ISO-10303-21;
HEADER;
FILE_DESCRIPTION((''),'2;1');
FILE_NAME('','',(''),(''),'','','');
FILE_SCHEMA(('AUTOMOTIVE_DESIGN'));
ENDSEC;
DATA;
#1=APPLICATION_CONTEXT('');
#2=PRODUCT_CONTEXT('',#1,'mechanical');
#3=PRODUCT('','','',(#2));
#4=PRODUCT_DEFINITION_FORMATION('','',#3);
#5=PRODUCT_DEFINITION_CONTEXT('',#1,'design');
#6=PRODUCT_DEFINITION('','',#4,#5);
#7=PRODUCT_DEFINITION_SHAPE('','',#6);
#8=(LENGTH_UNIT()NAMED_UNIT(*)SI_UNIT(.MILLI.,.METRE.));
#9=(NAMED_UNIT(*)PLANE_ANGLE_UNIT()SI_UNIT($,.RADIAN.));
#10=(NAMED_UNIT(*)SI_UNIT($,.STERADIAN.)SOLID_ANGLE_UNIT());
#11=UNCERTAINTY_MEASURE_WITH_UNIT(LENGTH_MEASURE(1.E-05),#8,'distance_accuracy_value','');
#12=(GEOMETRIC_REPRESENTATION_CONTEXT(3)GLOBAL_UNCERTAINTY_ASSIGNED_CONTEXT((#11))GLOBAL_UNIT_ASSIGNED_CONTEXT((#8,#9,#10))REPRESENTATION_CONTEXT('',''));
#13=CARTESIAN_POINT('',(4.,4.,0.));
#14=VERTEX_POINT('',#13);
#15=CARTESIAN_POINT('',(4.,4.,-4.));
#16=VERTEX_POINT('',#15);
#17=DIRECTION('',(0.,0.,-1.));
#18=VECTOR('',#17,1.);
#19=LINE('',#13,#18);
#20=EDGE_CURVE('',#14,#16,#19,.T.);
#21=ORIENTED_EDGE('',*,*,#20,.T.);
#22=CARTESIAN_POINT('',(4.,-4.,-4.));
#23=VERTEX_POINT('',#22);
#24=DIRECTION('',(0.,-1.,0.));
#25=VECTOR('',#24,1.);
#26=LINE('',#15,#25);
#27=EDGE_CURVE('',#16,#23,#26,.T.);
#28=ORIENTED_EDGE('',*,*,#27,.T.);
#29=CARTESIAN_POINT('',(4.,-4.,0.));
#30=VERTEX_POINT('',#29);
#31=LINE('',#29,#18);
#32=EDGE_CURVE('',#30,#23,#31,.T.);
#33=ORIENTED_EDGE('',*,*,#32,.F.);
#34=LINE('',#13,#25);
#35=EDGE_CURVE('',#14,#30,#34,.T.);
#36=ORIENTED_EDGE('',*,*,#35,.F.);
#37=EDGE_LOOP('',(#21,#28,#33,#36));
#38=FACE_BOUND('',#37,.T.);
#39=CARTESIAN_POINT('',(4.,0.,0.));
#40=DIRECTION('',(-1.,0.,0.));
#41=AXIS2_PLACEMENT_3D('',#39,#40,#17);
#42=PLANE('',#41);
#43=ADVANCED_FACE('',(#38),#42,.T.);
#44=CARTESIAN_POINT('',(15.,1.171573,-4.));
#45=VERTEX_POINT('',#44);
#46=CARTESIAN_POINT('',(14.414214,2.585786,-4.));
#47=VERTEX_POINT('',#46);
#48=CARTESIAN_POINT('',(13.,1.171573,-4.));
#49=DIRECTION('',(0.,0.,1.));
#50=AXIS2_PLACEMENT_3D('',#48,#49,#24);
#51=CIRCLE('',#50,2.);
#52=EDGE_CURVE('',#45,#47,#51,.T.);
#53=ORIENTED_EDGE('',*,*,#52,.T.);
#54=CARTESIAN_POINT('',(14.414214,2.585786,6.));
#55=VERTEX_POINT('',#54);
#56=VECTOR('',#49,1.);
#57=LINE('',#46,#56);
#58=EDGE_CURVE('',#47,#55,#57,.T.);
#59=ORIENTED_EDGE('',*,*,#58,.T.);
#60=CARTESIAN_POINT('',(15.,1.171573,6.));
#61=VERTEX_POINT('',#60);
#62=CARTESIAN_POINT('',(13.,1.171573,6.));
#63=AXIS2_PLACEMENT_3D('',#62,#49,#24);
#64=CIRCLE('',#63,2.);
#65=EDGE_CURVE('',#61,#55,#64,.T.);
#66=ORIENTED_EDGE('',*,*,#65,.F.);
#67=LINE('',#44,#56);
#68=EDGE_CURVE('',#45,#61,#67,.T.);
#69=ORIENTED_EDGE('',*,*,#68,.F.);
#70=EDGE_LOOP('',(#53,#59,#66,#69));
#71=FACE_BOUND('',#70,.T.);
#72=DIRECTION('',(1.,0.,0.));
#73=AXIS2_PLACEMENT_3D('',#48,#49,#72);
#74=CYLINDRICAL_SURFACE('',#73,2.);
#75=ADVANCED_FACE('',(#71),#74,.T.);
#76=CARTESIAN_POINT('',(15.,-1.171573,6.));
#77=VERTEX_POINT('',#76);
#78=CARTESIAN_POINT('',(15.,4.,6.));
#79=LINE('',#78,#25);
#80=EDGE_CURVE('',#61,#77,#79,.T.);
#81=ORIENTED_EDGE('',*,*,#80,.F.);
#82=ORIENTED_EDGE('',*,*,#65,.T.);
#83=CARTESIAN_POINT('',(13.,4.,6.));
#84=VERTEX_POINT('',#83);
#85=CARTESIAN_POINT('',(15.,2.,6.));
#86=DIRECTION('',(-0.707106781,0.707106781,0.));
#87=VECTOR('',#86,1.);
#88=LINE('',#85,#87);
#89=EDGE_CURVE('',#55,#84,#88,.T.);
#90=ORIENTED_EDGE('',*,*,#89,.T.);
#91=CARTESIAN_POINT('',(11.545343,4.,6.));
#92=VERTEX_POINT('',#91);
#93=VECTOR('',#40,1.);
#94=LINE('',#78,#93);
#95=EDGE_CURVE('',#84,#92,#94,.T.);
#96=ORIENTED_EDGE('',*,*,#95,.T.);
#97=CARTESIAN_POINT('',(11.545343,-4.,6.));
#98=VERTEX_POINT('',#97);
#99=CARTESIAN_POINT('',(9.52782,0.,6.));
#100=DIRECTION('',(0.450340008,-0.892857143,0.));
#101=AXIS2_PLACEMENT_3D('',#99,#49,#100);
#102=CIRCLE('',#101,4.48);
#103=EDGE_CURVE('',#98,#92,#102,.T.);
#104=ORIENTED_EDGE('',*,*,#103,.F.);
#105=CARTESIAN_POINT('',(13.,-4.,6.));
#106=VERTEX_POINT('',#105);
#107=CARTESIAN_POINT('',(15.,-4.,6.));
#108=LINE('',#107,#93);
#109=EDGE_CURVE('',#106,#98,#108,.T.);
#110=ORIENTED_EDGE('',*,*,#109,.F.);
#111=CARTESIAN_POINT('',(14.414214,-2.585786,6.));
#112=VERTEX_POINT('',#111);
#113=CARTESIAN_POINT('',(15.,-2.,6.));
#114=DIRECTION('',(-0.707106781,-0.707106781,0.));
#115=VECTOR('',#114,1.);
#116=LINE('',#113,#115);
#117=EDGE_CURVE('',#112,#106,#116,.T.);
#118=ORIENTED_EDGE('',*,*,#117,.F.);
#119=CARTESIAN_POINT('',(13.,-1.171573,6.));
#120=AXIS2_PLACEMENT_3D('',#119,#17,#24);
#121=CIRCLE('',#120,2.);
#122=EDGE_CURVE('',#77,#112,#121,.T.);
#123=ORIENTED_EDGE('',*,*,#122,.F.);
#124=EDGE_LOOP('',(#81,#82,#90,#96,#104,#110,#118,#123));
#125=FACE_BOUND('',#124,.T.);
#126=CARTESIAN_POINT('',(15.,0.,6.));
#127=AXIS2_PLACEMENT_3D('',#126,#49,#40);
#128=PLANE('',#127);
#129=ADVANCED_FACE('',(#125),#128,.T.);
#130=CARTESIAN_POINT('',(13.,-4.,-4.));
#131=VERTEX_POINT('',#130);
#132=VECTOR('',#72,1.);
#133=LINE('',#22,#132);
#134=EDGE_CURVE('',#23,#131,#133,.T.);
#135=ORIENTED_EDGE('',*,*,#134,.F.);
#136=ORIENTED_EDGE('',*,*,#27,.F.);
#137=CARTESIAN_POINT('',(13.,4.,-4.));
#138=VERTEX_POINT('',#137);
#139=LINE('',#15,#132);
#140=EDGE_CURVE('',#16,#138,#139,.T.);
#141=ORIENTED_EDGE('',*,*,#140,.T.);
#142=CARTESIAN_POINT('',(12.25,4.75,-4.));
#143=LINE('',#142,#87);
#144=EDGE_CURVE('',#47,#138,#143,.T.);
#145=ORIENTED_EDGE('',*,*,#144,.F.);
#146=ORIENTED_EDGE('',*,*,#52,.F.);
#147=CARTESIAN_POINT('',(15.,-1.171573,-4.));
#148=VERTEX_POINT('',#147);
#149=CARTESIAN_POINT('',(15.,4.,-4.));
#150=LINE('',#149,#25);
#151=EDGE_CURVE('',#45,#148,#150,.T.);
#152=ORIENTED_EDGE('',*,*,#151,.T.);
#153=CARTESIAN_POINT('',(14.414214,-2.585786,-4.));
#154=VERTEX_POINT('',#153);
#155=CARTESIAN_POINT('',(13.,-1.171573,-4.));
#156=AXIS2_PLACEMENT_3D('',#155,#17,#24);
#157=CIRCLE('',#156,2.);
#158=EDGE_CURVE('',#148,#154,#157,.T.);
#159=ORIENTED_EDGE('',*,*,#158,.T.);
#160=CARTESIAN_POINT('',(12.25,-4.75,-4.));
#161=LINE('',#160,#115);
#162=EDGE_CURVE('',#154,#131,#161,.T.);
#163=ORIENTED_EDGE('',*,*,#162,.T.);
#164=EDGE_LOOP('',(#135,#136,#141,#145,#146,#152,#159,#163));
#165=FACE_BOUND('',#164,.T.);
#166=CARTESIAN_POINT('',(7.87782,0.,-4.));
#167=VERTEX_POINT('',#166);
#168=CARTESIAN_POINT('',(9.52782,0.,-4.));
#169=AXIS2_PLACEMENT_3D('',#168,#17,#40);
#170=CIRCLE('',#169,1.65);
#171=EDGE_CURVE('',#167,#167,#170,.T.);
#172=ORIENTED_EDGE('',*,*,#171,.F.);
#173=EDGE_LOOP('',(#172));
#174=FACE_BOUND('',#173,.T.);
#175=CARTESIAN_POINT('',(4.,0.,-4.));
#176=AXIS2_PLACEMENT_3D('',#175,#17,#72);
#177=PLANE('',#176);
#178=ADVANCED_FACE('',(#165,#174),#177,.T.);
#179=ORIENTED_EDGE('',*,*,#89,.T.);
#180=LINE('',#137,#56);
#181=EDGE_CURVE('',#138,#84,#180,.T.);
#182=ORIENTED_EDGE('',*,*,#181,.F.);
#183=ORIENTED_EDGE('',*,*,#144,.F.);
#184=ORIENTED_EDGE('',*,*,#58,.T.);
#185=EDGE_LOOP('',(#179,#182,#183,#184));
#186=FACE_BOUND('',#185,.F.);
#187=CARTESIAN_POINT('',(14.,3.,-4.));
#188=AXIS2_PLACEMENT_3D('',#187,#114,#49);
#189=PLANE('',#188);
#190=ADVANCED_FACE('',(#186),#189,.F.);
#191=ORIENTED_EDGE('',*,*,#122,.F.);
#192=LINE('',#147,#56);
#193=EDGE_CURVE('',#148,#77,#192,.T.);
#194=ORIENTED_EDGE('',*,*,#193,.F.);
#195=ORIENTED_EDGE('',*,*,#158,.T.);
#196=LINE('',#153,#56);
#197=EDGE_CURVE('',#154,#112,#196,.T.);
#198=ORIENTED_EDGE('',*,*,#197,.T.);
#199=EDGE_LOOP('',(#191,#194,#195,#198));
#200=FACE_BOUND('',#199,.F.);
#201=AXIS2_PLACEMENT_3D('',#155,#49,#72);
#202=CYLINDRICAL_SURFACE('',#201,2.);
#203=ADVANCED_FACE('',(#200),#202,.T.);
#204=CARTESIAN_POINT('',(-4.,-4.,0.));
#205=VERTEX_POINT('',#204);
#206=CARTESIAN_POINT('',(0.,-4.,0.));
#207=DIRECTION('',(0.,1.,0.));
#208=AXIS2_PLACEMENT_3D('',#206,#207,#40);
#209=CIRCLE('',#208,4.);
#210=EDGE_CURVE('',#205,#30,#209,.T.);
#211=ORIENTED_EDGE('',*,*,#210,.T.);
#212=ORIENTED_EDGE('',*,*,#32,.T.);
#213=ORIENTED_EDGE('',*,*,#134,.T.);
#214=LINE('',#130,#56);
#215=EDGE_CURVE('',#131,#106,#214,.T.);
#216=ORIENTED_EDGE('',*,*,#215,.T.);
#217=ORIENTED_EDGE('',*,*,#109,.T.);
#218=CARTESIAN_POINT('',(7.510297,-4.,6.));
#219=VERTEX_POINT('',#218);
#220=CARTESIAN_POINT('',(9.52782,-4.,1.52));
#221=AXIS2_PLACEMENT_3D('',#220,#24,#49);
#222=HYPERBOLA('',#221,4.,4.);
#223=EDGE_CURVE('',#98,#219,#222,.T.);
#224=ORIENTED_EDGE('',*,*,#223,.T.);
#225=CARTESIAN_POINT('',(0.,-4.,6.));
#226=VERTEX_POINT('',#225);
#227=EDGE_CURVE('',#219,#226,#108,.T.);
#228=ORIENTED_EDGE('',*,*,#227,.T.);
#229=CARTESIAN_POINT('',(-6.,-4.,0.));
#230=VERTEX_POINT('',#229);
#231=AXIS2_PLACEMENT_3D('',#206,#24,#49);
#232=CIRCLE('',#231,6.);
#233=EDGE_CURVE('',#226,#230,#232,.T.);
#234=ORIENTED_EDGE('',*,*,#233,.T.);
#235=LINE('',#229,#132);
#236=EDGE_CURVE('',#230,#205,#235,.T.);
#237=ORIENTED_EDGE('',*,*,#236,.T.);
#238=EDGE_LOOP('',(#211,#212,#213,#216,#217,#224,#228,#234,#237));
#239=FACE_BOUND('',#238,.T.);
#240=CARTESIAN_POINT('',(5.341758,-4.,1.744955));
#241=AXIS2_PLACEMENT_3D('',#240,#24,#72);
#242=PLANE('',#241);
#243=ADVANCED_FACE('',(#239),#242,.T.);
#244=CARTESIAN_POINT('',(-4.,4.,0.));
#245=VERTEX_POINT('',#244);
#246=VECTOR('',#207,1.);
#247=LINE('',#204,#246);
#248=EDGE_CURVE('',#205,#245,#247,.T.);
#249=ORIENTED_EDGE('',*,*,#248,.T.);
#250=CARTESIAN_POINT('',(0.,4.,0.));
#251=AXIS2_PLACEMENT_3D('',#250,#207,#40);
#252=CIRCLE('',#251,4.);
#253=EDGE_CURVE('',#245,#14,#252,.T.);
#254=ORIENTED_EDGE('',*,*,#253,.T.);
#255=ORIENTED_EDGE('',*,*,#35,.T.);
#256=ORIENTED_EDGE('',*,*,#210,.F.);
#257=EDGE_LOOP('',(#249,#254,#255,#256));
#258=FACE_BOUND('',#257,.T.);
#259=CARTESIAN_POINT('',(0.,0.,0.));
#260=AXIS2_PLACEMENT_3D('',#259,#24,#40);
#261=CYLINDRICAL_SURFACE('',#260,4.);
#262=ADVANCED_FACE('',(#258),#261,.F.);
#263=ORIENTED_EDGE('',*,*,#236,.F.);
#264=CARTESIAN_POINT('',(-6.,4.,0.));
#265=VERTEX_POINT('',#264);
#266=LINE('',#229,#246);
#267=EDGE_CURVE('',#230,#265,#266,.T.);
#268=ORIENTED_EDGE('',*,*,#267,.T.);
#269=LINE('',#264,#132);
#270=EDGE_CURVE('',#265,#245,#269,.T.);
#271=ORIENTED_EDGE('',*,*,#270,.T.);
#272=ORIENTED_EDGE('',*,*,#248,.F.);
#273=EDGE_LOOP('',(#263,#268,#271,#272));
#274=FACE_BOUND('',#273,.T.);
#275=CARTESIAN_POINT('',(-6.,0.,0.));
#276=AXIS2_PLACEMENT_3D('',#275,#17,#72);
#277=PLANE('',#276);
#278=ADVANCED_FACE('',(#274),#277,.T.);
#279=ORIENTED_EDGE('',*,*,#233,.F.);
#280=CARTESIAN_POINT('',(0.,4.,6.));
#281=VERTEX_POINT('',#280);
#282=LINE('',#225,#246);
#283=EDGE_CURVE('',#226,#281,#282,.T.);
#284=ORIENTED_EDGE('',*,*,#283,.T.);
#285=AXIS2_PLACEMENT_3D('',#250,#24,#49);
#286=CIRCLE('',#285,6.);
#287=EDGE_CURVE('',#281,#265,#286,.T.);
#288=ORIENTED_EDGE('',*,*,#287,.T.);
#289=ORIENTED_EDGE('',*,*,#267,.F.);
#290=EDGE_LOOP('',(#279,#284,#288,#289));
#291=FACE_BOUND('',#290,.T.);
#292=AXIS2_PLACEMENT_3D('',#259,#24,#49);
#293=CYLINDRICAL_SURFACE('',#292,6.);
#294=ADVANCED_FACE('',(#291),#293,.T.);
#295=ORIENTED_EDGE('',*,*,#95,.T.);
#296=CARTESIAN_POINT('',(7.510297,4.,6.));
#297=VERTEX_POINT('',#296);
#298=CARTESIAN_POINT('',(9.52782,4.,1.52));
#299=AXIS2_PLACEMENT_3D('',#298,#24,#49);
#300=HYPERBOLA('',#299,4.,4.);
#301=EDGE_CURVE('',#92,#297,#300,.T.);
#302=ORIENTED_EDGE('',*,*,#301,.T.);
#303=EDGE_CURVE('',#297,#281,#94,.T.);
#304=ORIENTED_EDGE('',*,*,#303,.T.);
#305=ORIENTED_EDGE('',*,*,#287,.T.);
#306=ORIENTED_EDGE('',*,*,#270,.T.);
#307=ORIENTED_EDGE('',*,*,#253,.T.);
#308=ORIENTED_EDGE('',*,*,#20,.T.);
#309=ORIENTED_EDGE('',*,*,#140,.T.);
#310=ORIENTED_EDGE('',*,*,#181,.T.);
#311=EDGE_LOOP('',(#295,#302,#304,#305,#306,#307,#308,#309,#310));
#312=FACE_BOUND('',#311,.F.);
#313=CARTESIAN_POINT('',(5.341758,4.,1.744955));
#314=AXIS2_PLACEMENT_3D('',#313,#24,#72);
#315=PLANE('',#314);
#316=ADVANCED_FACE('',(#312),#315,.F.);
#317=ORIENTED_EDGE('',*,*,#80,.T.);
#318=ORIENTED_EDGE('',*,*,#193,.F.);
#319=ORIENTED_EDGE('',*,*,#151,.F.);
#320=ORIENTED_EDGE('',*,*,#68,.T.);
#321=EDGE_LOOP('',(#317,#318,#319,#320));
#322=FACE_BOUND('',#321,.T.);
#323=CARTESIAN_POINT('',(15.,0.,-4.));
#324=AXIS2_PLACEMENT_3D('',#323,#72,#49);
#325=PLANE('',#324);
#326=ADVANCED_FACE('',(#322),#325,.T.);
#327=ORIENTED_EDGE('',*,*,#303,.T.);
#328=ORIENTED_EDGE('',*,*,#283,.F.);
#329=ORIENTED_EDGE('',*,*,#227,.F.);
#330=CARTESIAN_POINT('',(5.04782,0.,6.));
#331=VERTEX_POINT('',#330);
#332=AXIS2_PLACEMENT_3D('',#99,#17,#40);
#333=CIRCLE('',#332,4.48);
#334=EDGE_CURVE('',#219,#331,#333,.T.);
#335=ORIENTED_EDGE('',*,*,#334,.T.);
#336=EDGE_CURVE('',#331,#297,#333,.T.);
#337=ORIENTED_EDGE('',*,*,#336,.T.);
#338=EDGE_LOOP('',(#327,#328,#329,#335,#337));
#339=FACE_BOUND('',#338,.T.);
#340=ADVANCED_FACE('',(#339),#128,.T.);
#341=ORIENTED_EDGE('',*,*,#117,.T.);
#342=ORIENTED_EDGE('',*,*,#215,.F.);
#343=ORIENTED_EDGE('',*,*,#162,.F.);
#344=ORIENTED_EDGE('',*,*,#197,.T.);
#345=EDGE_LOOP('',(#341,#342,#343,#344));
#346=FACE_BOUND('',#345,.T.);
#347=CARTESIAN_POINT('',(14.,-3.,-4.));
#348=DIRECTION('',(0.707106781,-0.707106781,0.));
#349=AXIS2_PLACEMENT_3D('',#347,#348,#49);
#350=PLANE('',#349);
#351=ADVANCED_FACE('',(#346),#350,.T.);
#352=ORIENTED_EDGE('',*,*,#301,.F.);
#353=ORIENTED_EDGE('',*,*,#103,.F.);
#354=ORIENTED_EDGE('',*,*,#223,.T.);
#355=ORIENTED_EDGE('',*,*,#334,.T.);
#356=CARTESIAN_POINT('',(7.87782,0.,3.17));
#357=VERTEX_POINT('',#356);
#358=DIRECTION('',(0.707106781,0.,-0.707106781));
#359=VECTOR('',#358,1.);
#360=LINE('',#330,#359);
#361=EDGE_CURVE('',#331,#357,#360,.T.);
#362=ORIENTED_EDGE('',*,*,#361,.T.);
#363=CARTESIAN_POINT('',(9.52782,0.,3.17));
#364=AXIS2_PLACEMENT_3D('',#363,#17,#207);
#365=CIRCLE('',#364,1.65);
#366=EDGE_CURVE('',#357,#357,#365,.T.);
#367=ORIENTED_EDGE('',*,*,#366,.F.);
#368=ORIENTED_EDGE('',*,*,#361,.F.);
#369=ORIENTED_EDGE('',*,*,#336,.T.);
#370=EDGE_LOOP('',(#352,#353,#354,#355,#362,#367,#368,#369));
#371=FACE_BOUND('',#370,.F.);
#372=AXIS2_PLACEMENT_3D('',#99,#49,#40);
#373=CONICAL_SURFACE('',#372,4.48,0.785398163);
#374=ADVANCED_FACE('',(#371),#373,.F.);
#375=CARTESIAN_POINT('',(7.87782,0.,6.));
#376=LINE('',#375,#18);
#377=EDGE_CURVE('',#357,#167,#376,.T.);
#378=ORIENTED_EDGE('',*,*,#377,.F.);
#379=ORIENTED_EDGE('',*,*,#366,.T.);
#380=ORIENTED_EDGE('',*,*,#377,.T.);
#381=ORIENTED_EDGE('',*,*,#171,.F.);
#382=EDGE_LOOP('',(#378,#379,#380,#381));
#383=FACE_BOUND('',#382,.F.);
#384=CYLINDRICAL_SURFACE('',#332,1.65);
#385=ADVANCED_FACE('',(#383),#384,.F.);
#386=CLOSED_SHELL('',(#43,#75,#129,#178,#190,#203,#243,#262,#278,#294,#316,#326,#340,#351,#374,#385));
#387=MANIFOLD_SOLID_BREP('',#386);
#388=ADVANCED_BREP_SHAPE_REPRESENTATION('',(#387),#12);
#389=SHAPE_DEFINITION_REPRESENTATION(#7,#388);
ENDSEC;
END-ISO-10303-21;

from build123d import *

# Parameters (mm, degrees)
F1_DEPTH       = 4
F3_D           = 3.3
F3_CSINK_D     = 8.96
F3_CSINK_ANGLE = 90
F4_SIZE        = 2
F5_R           = 2


with BuildPart() as f1:
    # F0 (on Front) → F1 (new body, symmetric)
    with BuildSketch(Plane.XZ):
        with BuildLine():
            ThreePointArc((-4, 0), (0, 4), (4, 0))
            Line((4, 0), (4, -4))
            Line((4, -4), (15, -4))
            Line((15, -4), (15, 6))
            Line((15, 6), (0, 6))
            ThreePointArc((0, 6), (-4.2426406871, 4.2426406871), (-6, 0))
            Line((-6, 0), (-4, 0))
        make_face()
    extrude(amount=F1_DEPTH, both=True)

    # F3 (through all)
    with Locations(Plane.XY.offset(6)):
        with Locations((9.5278198645, 0)):
            CounterSinkHole(F3_D / 2, F3_CSINK_D / 2, counter_sink_angle=F3_CSINK_ANGLE)

    # F4
    f4_edges = [f1.edges().sort_by_distance(p)[0] for p in [
        (15, 4, 1),
        (15, -4, 1),
    ]]
    chamfer(f4_edges, length=F4_SIZE)

    # F5
    f5_edges = [f1.edges().sort_by_distance(p)[0] for p in [
        (15, -2, 1),
        (15, 2, 1),
    ]]
    fillet(f5_edges, radius=F5_R)


solid = f1.part
